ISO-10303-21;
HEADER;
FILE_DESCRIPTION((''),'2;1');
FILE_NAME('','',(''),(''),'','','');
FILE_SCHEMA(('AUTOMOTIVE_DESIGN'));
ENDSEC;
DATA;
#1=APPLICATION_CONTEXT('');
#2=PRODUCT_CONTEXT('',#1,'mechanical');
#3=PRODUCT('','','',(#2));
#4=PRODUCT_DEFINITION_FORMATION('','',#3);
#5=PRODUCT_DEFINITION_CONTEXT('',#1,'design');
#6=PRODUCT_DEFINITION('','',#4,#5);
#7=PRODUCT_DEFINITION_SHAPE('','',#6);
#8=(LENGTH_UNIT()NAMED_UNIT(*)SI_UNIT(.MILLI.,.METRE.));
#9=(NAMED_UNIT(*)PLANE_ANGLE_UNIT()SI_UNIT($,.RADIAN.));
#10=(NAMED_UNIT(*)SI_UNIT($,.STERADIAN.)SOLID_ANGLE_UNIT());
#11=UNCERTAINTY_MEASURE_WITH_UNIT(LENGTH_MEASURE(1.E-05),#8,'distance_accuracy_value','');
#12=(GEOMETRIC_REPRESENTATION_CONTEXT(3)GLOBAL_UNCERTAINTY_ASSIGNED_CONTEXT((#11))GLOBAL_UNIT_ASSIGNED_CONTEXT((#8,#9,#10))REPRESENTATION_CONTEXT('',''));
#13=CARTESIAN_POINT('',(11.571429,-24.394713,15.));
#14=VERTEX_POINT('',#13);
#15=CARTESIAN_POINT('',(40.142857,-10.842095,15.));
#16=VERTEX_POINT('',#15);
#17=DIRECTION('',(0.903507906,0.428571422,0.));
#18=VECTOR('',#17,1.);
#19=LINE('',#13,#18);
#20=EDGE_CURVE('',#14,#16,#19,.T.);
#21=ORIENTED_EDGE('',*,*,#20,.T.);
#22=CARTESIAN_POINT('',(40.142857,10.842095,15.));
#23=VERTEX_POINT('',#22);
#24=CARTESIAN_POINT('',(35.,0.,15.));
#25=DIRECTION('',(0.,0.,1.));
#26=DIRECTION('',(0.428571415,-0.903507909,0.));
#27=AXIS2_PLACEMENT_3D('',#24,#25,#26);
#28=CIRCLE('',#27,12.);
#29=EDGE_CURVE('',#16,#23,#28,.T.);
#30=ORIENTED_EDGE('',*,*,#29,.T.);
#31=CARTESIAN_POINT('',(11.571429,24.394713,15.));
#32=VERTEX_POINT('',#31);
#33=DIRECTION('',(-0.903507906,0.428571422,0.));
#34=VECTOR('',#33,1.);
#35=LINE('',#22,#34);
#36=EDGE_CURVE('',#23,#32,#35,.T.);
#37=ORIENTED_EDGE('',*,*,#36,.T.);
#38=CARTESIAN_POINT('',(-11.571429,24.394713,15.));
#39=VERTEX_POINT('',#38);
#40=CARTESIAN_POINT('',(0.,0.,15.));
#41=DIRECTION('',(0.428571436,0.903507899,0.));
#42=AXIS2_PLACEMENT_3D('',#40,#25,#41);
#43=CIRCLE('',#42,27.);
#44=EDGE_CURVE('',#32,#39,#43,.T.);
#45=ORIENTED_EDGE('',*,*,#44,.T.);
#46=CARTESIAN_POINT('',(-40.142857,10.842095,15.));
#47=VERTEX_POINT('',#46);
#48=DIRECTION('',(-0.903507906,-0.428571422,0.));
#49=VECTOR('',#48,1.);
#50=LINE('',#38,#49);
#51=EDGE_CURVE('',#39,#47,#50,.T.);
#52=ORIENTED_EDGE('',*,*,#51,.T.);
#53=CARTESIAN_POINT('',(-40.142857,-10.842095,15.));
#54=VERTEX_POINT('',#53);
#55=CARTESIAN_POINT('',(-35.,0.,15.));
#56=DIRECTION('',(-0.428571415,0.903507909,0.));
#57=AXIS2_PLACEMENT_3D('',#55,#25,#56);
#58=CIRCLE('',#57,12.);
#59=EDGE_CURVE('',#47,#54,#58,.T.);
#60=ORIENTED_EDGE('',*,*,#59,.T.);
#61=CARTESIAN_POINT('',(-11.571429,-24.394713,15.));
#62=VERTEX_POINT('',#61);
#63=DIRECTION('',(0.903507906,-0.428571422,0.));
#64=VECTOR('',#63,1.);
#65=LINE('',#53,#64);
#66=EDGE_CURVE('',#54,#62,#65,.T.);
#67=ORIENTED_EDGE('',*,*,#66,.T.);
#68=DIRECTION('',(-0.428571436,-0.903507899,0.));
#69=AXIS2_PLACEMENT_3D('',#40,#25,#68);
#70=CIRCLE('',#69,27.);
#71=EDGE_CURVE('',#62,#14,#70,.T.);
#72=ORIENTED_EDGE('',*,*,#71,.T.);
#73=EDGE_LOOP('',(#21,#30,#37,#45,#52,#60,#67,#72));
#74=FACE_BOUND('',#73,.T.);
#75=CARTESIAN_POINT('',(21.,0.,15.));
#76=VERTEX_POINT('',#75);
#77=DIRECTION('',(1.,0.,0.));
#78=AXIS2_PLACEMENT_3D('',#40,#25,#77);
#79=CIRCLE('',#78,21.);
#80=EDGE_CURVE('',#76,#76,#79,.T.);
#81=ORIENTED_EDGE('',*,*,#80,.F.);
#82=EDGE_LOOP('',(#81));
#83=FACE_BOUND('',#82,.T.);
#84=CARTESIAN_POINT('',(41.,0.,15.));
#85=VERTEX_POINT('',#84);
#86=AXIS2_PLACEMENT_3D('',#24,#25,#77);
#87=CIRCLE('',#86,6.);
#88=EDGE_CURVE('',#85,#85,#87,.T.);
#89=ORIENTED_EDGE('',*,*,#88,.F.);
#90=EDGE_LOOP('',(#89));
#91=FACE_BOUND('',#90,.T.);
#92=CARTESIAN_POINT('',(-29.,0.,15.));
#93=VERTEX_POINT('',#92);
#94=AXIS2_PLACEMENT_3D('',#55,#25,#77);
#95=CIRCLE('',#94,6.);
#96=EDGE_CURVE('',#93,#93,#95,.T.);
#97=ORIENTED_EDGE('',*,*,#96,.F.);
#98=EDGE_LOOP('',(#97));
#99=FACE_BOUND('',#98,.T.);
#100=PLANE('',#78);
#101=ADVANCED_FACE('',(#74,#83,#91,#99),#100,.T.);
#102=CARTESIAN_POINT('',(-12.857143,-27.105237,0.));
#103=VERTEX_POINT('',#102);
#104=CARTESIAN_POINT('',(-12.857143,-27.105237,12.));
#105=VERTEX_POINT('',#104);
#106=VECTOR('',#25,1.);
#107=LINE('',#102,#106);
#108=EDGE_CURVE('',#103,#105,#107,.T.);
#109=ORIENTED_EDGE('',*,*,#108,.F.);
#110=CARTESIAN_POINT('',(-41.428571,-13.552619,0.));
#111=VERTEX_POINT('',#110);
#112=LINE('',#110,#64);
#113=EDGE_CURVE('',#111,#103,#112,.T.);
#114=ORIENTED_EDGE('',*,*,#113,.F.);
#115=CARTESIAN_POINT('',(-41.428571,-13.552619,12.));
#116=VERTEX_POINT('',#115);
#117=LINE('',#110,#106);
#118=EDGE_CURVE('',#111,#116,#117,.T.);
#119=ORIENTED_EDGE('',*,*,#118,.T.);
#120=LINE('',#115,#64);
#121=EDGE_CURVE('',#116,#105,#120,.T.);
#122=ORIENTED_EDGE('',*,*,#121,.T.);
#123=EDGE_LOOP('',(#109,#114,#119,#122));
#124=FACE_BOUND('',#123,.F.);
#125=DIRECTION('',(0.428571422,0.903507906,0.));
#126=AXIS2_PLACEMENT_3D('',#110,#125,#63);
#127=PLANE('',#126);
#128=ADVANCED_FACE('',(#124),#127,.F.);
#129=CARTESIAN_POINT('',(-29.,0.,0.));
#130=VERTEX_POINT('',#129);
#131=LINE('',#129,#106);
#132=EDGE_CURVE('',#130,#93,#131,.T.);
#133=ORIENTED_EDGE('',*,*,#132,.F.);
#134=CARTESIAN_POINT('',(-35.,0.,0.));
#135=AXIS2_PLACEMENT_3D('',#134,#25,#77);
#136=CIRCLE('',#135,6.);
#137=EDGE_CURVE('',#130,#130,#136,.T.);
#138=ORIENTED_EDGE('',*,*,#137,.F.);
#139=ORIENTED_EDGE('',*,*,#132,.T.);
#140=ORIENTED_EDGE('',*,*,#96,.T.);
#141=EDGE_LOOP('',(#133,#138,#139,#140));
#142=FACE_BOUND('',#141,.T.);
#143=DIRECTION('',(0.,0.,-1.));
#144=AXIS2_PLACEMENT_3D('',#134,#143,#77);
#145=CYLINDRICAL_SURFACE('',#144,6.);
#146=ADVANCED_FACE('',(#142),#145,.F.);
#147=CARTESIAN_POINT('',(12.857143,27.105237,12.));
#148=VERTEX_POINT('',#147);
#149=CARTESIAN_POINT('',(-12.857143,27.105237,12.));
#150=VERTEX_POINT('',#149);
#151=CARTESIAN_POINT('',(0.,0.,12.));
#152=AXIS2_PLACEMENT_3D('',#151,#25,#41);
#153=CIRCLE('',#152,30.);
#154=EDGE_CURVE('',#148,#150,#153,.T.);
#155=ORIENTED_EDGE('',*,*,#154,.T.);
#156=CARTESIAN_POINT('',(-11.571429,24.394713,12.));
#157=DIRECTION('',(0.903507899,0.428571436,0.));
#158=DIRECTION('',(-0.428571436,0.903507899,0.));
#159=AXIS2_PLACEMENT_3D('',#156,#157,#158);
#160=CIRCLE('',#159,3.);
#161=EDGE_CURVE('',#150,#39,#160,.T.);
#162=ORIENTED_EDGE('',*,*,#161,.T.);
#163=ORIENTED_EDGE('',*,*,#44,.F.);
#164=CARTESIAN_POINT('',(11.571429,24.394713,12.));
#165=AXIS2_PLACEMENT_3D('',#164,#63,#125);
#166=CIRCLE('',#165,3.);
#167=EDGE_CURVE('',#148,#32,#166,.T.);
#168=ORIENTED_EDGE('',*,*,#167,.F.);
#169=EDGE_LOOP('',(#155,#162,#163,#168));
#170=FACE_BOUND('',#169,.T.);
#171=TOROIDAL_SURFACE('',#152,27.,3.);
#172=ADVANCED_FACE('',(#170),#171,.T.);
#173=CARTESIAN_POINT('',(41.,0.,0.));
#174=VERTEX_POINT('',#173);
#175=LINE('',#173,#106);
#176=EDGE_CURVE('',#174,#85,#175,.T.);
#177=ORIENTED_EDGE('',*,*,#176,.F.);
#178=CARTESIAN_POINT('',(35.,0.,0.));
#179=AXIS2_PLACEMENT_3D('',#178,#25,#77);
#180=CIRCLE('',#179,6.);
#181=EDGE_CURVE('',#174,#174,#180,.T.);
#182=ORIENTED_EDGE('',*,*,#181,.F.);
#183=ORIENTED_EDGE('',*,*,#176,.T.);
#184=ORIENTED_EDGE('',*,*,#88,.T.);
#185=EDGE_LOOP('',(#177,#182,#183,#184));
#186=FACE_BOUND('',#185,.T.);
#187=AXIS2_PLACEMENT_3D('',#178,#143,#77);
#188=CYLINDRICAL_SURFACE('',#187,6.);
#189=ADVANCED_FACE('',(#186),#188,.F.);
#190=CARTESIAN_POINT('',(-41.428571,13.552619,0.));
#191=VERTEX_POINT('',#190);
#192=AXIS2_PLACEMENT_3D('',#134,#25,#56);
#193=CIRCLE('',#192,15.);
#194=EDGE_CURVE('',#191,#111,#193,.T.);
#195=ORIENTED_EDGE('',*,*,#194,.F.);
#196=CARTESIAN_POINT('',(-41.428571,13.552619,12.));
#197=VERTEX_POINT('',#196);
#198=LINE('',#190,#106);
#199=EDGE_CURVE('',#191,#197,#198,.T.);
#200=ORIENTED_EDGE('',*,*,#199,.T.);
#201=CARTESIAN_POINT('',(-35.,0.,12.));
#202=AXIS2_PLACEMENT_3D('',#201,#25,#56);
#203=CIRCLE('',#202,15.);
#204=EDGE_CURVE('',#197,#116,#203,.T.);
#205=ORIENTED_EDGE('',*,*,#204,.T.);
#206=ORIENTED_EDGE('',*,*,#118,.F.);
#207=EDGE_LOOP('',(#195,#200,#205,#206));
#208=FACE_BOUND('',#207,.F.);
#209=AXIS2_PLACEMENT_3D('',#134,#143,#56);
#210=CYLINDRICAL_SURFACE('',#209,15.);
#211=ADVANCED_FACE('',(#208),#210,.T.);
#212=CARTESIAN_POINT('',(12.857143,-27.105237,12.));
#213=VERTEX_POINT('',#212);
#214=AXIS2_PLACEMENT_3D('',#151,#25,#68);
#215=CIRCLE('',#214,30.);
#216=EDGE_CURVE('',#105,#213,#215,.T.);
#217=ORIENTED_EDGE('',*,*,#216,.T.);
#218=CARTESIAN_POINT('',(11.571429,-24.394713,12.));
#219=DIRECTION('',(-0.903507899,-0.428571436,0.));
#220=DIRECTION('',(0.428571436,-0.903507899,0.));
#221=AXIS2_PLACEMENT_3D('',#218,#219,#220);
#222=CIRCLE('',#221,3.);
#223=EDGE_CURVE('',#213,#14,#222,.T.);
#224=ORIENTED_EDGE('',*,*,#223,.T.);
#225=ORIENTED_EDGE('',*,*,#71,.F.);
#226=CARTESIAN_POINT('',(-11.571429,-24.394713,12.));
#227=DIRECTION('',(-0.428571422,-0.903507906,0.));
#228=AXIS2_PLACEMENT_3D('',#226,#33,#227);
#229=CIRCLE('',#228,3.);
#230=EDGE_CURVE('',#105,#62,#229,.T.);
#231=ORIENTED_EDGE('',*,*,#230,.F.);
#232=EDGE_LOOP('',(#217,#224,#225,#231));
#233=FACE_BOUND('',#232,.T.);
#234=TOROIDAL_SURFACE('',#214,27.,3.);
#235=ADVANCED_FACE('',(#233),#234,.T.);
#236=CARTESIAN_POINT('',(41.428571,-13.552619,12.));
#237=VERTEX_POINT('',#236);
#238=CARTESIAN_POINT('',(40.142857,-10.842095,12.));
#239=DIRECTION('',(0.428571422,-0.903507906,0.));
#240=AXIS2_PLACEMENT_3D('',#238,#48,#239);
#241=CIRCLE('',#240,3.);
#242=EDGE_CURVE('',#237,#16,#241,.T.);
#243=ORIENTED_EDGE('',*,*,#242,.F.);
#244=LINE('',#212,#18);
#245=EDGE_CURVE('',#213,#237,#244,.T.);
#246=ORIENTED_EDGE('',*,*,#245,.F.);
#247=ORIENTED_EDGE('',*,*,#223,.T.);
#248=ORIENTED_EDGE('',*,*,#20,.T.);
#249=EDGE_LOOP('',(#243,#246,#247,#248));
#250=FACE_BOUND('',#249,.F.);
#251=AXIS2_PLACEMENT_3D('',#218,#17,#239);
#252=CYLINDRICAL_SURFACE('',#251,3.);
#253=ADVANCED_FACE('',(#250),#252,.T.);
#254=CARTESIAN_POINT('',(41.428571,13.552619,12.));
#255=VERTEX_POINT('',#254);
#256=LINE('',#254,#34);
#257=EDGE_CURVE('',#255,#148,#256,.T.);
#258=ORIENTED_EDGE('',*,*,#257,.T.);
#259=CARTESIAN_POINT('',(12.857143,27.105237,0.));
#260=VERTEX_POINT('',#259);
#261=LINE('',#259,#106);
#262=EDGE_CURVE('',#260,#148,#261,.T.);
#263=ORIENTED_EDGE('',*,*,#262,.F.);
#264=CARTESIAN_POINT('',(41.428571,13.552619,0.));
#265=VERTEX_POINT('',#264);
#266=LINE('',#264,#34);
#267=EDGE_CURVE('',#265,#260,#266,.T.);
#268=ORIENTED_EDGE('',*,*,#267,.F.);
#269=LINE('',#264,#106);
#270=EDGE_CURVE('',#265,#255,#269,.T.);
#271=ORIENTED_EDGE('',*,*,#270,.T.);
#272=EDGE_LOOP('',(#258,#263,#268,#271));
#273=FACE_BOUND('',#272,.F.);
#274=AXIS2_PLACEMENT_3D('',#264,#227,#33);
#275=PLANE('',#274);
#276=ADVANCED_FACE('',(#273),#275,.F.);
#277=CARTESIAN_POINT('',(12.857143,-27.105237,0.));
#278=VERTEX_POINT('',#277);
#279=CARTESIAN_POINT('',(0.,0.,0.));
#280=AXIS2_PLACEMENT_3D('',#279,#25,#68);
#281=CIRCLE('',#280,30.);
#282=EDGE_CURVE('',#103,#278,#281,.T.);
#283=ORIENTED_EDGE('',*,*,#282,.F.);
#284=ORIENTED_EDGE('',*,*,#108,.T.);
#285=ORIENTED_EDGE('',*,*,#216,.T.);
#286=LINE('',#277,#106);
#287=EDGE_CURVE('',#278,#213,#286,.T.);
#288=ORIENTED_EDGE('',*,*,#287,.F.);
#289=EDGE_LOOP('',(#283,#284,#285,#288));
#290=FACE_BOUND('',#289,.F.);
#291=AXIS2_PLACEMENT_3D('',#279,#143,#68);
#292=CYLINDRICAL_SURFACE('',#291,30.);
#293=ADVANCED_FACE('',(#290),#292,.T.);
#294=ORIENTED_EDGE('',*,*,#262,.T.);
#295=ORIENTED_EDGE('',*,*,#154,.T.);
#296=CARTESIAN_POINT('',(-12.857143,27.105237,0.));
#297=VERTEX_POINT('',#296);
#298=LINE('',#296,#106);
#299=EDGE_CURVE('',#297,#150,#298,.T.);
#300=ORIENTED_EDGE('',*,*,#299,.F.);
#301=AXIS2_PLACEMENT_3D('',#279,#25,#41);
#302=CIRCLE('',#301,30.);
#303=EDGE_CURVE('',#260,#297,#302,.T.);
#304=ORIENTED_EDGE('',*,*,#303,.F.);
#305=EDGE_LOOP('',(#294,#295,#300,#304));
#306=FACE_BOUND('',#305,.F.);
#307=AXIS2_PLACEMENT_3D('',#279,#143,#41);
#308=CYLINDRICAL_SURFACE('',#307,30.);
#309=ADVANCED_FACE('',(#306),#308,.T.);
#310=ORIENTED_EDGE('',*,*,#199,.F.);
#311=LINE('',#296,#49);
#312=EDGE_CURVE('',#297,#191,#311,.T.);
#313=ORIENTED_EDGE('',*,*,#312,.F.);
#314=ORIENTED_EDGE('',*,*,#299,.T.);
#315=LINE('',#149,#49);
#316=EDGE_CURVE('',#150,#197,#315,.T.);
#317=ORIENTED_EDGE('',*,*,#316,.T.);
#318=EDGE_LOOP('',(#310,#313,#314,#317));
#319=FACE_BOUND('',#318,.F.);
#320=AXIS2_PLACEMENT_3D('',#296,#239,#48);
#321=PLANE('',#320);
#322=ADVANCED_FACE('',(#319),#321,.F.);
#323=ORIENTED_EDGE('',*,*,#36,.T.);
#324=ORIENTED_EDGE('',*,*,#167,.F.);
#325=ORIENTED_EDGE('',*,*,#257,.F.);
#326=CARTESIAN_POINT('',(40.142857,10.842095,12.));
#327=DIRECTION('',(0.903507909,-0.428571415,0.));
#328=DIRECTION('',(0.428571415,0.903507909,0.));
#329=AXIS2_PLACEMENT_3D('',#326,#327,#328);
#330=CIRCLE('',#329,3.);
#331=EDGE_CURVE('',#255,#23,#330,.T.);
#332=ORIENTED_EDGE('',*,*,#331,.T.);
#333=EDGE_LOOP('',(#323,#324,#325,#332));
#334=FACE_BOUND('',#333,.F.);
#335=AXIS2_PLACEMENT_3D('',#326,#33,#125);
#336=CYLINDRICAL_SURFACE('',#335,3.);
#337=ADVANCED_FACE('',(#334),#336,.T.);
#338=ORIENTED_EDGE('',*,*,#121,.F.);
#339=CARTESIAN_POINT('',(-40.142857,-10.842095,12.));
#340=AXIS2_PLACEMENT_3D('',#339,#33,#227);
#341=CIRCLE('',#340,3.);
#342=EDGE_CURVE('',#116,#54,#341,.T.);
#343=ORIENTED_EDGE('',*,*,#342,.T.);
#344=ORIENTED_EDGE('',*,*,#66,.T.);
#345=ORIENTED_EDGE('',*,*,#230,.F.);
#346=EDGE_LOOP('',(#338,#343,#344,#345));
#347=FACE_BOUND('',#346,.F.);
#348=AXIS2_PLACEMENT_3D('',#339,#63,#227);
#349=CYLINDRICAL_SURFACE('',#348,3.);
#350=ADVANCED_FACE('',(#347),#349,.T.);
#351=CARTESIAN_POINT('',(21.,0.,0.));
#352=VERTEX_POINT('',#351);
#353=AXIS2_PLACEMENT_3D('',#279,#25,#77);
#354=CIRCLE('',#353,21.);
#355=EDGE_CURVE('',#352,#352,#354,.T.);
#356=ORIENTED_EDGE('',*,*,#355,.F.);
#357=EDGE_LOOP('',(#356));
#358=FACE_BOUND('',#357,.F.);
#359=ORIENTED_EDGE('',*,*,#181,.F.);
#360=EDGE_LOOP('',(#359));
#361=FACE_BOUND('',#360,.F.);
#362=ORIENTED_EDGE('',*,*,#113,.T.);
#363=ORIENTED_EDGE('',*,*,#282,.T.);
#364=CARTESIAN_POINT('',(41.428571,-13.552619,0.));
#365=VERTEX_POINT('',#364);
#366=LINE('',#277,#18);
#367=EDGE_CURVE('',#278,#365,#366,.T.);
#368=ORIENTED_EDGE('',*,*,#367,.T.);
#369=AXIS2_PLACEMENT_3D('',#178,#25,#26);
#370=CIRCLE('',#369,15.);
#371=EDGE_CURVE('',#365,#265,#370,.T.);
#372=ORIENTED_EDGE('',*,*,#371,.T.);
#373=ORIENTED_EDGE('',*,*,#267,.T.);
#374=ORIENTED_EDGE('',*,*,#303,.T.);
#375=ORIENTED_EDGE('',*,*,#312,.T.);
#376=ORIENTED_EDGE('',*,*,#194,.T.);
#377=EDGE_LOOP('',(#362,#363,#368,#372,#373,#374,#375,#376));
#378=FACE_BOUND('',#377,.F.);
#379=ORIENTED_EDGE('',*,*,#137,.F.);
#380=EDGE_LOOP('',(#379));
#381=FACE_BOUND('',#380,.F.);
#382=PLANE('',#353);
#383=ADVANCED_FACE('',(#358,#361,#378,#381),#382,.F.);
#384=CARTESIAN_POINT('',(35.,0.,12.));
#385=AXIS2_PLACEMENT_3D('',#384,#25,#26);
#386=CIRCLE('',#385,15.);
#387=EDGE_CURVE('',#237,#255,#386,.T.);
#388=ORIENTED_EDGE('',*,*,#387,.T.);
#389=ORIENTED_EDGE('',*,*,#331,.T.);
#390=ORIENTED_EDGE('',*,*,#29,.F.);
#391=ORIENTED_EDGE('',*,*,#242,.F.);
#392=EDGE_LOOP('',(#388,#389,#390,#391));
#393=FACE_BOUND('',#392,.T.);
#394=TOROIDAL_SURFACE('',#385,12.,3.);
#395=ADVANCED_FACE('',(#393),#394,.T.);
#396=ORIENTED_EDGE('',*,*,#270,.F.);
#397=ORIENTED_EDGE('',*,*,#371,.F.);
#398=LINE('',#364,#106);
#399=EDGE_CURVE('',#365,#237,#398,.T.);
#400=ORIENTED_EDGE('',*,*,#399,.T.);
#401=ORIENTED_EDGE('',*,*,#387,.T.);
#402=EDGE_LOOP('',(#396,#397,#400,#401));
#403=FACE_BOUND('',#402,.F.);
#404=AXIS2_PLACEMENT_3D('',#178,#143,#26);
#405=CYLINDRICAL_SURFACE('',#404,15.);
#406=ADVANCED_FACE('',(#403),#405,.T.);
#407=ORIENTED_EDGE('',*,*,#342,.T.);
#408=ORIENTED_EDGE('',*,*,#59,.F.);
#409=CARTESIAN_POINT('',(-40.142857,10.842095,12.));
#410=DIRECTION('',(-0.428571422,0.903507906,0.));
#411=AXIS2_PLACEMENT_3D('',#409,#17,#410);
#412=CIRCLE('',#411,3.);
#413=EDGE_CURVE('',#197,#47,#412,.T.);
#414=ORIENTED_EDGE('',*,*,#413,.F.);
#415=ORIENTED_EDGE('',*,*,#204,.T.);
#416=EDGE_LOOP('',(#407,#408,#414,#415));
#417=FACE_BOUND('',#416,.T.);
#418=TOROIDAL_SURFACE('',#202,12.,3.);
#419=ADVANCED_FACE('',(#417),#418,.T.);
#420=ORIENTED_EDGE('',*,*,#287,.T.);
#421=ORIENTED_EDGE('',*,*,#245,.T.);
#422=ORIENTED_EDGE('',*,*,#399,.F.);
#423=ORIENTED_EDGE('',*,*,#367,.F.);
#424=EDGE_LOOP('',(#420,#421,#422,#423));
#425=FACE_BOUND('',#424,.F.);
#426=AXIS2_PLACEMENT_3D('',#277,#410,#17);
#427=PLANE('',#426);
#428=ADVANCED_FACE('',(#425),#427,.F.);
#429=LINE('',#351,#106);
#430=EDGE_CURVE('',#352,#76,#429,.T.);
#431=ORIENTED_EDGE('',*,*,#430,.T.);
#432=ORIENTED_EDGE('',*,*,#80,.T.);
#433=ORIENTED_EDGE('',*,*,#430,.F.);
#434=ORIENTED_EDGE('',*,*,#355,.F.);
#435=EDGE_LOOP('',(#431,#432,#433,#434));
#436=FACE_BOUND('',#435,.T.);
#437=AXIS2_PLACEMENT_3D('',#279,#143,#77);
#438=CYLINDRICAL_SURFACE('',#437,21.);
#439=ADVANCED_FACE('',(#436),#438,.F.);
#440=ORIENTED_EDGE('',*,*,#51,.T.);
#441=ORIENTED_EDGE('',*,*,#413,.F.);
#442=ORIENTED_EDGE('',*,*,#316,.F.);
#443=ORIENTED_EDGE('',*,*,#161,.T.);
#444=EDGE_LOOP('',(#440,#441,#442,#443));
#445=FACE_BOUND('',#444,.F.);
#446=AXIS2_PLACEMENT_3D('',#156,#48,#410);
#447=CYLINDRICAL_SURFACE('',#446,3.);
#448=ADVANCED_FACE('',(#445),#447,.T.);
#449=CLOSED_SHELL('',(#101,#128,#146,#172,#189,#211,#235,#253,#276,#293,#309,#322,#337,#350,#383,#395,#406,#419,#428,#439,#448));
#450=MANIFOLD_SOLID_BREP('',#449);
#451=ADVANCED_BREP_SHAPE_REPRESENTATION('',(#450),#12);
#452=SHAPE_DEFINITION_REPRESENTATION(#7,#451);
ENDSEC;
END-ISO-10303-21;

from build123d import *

# Parameters (mm, degrees)
F0_R     = 21
F0_R_2   = 6
F1_DEPTH = 15
F2_R     = 3


with BuildPart() as f1:
    # F0 (on Top) → F1 (new body)
    with BuildSketch(Plane.XY):
        with BuildLine():
            Line((12.857143, -27.105237), (41.428571, -13.552619))
            ThreePointArc((41.428571, -13.552619), (50, 0), (41.428571, 13.552619))
            Line((41.428571, 13.552619), (12.857143, 27.105237))
            ThreePointArc((12.857143, 27.105237), (0, 30), (-12.857143, 27.105237))
            Line((-12.857143, 27.105237), (-41.428571, 13.552619))
            ThreePointArc((-41.428571, 13.552619), (-50, 0), (-41.428571, -13.552619))
            Line((-41.428571, -13.552619), (-12.857143, -27.105237))
            ThreePointArc((-12.857143, -27.105237), (0, -30), (12.857143, -27.105237))
        make_face()
        Circle(F0_R, mode=Mode.SUBTRACT)
        with Locations((-35, 0)):
            Circle(F0_R_2, mode=Mode.SUBTRACT)
        with Locations((35, 0)):
            Circle(F0_R_2, mode=Mode.SUBTRACT)
    extrude(amount=F1_DEPTH)

    # F2
    f2_edges = [f1.edges().sort_by_distance(p)[0] for p in [
        (-27.142857, -20.328928, 15),
        (-50, 0, 15),
        (-27.142857, 20.328928, 15),
        (0, 30, 15),
        (27.142857, 20.328928, 15),
        (50, 0, 15),
        (27.142857, -20.328928, 15),
        (0, -30, 15),
    ]]
    fillet(f2_edges, radius=F2_R)


solid = f1.part
